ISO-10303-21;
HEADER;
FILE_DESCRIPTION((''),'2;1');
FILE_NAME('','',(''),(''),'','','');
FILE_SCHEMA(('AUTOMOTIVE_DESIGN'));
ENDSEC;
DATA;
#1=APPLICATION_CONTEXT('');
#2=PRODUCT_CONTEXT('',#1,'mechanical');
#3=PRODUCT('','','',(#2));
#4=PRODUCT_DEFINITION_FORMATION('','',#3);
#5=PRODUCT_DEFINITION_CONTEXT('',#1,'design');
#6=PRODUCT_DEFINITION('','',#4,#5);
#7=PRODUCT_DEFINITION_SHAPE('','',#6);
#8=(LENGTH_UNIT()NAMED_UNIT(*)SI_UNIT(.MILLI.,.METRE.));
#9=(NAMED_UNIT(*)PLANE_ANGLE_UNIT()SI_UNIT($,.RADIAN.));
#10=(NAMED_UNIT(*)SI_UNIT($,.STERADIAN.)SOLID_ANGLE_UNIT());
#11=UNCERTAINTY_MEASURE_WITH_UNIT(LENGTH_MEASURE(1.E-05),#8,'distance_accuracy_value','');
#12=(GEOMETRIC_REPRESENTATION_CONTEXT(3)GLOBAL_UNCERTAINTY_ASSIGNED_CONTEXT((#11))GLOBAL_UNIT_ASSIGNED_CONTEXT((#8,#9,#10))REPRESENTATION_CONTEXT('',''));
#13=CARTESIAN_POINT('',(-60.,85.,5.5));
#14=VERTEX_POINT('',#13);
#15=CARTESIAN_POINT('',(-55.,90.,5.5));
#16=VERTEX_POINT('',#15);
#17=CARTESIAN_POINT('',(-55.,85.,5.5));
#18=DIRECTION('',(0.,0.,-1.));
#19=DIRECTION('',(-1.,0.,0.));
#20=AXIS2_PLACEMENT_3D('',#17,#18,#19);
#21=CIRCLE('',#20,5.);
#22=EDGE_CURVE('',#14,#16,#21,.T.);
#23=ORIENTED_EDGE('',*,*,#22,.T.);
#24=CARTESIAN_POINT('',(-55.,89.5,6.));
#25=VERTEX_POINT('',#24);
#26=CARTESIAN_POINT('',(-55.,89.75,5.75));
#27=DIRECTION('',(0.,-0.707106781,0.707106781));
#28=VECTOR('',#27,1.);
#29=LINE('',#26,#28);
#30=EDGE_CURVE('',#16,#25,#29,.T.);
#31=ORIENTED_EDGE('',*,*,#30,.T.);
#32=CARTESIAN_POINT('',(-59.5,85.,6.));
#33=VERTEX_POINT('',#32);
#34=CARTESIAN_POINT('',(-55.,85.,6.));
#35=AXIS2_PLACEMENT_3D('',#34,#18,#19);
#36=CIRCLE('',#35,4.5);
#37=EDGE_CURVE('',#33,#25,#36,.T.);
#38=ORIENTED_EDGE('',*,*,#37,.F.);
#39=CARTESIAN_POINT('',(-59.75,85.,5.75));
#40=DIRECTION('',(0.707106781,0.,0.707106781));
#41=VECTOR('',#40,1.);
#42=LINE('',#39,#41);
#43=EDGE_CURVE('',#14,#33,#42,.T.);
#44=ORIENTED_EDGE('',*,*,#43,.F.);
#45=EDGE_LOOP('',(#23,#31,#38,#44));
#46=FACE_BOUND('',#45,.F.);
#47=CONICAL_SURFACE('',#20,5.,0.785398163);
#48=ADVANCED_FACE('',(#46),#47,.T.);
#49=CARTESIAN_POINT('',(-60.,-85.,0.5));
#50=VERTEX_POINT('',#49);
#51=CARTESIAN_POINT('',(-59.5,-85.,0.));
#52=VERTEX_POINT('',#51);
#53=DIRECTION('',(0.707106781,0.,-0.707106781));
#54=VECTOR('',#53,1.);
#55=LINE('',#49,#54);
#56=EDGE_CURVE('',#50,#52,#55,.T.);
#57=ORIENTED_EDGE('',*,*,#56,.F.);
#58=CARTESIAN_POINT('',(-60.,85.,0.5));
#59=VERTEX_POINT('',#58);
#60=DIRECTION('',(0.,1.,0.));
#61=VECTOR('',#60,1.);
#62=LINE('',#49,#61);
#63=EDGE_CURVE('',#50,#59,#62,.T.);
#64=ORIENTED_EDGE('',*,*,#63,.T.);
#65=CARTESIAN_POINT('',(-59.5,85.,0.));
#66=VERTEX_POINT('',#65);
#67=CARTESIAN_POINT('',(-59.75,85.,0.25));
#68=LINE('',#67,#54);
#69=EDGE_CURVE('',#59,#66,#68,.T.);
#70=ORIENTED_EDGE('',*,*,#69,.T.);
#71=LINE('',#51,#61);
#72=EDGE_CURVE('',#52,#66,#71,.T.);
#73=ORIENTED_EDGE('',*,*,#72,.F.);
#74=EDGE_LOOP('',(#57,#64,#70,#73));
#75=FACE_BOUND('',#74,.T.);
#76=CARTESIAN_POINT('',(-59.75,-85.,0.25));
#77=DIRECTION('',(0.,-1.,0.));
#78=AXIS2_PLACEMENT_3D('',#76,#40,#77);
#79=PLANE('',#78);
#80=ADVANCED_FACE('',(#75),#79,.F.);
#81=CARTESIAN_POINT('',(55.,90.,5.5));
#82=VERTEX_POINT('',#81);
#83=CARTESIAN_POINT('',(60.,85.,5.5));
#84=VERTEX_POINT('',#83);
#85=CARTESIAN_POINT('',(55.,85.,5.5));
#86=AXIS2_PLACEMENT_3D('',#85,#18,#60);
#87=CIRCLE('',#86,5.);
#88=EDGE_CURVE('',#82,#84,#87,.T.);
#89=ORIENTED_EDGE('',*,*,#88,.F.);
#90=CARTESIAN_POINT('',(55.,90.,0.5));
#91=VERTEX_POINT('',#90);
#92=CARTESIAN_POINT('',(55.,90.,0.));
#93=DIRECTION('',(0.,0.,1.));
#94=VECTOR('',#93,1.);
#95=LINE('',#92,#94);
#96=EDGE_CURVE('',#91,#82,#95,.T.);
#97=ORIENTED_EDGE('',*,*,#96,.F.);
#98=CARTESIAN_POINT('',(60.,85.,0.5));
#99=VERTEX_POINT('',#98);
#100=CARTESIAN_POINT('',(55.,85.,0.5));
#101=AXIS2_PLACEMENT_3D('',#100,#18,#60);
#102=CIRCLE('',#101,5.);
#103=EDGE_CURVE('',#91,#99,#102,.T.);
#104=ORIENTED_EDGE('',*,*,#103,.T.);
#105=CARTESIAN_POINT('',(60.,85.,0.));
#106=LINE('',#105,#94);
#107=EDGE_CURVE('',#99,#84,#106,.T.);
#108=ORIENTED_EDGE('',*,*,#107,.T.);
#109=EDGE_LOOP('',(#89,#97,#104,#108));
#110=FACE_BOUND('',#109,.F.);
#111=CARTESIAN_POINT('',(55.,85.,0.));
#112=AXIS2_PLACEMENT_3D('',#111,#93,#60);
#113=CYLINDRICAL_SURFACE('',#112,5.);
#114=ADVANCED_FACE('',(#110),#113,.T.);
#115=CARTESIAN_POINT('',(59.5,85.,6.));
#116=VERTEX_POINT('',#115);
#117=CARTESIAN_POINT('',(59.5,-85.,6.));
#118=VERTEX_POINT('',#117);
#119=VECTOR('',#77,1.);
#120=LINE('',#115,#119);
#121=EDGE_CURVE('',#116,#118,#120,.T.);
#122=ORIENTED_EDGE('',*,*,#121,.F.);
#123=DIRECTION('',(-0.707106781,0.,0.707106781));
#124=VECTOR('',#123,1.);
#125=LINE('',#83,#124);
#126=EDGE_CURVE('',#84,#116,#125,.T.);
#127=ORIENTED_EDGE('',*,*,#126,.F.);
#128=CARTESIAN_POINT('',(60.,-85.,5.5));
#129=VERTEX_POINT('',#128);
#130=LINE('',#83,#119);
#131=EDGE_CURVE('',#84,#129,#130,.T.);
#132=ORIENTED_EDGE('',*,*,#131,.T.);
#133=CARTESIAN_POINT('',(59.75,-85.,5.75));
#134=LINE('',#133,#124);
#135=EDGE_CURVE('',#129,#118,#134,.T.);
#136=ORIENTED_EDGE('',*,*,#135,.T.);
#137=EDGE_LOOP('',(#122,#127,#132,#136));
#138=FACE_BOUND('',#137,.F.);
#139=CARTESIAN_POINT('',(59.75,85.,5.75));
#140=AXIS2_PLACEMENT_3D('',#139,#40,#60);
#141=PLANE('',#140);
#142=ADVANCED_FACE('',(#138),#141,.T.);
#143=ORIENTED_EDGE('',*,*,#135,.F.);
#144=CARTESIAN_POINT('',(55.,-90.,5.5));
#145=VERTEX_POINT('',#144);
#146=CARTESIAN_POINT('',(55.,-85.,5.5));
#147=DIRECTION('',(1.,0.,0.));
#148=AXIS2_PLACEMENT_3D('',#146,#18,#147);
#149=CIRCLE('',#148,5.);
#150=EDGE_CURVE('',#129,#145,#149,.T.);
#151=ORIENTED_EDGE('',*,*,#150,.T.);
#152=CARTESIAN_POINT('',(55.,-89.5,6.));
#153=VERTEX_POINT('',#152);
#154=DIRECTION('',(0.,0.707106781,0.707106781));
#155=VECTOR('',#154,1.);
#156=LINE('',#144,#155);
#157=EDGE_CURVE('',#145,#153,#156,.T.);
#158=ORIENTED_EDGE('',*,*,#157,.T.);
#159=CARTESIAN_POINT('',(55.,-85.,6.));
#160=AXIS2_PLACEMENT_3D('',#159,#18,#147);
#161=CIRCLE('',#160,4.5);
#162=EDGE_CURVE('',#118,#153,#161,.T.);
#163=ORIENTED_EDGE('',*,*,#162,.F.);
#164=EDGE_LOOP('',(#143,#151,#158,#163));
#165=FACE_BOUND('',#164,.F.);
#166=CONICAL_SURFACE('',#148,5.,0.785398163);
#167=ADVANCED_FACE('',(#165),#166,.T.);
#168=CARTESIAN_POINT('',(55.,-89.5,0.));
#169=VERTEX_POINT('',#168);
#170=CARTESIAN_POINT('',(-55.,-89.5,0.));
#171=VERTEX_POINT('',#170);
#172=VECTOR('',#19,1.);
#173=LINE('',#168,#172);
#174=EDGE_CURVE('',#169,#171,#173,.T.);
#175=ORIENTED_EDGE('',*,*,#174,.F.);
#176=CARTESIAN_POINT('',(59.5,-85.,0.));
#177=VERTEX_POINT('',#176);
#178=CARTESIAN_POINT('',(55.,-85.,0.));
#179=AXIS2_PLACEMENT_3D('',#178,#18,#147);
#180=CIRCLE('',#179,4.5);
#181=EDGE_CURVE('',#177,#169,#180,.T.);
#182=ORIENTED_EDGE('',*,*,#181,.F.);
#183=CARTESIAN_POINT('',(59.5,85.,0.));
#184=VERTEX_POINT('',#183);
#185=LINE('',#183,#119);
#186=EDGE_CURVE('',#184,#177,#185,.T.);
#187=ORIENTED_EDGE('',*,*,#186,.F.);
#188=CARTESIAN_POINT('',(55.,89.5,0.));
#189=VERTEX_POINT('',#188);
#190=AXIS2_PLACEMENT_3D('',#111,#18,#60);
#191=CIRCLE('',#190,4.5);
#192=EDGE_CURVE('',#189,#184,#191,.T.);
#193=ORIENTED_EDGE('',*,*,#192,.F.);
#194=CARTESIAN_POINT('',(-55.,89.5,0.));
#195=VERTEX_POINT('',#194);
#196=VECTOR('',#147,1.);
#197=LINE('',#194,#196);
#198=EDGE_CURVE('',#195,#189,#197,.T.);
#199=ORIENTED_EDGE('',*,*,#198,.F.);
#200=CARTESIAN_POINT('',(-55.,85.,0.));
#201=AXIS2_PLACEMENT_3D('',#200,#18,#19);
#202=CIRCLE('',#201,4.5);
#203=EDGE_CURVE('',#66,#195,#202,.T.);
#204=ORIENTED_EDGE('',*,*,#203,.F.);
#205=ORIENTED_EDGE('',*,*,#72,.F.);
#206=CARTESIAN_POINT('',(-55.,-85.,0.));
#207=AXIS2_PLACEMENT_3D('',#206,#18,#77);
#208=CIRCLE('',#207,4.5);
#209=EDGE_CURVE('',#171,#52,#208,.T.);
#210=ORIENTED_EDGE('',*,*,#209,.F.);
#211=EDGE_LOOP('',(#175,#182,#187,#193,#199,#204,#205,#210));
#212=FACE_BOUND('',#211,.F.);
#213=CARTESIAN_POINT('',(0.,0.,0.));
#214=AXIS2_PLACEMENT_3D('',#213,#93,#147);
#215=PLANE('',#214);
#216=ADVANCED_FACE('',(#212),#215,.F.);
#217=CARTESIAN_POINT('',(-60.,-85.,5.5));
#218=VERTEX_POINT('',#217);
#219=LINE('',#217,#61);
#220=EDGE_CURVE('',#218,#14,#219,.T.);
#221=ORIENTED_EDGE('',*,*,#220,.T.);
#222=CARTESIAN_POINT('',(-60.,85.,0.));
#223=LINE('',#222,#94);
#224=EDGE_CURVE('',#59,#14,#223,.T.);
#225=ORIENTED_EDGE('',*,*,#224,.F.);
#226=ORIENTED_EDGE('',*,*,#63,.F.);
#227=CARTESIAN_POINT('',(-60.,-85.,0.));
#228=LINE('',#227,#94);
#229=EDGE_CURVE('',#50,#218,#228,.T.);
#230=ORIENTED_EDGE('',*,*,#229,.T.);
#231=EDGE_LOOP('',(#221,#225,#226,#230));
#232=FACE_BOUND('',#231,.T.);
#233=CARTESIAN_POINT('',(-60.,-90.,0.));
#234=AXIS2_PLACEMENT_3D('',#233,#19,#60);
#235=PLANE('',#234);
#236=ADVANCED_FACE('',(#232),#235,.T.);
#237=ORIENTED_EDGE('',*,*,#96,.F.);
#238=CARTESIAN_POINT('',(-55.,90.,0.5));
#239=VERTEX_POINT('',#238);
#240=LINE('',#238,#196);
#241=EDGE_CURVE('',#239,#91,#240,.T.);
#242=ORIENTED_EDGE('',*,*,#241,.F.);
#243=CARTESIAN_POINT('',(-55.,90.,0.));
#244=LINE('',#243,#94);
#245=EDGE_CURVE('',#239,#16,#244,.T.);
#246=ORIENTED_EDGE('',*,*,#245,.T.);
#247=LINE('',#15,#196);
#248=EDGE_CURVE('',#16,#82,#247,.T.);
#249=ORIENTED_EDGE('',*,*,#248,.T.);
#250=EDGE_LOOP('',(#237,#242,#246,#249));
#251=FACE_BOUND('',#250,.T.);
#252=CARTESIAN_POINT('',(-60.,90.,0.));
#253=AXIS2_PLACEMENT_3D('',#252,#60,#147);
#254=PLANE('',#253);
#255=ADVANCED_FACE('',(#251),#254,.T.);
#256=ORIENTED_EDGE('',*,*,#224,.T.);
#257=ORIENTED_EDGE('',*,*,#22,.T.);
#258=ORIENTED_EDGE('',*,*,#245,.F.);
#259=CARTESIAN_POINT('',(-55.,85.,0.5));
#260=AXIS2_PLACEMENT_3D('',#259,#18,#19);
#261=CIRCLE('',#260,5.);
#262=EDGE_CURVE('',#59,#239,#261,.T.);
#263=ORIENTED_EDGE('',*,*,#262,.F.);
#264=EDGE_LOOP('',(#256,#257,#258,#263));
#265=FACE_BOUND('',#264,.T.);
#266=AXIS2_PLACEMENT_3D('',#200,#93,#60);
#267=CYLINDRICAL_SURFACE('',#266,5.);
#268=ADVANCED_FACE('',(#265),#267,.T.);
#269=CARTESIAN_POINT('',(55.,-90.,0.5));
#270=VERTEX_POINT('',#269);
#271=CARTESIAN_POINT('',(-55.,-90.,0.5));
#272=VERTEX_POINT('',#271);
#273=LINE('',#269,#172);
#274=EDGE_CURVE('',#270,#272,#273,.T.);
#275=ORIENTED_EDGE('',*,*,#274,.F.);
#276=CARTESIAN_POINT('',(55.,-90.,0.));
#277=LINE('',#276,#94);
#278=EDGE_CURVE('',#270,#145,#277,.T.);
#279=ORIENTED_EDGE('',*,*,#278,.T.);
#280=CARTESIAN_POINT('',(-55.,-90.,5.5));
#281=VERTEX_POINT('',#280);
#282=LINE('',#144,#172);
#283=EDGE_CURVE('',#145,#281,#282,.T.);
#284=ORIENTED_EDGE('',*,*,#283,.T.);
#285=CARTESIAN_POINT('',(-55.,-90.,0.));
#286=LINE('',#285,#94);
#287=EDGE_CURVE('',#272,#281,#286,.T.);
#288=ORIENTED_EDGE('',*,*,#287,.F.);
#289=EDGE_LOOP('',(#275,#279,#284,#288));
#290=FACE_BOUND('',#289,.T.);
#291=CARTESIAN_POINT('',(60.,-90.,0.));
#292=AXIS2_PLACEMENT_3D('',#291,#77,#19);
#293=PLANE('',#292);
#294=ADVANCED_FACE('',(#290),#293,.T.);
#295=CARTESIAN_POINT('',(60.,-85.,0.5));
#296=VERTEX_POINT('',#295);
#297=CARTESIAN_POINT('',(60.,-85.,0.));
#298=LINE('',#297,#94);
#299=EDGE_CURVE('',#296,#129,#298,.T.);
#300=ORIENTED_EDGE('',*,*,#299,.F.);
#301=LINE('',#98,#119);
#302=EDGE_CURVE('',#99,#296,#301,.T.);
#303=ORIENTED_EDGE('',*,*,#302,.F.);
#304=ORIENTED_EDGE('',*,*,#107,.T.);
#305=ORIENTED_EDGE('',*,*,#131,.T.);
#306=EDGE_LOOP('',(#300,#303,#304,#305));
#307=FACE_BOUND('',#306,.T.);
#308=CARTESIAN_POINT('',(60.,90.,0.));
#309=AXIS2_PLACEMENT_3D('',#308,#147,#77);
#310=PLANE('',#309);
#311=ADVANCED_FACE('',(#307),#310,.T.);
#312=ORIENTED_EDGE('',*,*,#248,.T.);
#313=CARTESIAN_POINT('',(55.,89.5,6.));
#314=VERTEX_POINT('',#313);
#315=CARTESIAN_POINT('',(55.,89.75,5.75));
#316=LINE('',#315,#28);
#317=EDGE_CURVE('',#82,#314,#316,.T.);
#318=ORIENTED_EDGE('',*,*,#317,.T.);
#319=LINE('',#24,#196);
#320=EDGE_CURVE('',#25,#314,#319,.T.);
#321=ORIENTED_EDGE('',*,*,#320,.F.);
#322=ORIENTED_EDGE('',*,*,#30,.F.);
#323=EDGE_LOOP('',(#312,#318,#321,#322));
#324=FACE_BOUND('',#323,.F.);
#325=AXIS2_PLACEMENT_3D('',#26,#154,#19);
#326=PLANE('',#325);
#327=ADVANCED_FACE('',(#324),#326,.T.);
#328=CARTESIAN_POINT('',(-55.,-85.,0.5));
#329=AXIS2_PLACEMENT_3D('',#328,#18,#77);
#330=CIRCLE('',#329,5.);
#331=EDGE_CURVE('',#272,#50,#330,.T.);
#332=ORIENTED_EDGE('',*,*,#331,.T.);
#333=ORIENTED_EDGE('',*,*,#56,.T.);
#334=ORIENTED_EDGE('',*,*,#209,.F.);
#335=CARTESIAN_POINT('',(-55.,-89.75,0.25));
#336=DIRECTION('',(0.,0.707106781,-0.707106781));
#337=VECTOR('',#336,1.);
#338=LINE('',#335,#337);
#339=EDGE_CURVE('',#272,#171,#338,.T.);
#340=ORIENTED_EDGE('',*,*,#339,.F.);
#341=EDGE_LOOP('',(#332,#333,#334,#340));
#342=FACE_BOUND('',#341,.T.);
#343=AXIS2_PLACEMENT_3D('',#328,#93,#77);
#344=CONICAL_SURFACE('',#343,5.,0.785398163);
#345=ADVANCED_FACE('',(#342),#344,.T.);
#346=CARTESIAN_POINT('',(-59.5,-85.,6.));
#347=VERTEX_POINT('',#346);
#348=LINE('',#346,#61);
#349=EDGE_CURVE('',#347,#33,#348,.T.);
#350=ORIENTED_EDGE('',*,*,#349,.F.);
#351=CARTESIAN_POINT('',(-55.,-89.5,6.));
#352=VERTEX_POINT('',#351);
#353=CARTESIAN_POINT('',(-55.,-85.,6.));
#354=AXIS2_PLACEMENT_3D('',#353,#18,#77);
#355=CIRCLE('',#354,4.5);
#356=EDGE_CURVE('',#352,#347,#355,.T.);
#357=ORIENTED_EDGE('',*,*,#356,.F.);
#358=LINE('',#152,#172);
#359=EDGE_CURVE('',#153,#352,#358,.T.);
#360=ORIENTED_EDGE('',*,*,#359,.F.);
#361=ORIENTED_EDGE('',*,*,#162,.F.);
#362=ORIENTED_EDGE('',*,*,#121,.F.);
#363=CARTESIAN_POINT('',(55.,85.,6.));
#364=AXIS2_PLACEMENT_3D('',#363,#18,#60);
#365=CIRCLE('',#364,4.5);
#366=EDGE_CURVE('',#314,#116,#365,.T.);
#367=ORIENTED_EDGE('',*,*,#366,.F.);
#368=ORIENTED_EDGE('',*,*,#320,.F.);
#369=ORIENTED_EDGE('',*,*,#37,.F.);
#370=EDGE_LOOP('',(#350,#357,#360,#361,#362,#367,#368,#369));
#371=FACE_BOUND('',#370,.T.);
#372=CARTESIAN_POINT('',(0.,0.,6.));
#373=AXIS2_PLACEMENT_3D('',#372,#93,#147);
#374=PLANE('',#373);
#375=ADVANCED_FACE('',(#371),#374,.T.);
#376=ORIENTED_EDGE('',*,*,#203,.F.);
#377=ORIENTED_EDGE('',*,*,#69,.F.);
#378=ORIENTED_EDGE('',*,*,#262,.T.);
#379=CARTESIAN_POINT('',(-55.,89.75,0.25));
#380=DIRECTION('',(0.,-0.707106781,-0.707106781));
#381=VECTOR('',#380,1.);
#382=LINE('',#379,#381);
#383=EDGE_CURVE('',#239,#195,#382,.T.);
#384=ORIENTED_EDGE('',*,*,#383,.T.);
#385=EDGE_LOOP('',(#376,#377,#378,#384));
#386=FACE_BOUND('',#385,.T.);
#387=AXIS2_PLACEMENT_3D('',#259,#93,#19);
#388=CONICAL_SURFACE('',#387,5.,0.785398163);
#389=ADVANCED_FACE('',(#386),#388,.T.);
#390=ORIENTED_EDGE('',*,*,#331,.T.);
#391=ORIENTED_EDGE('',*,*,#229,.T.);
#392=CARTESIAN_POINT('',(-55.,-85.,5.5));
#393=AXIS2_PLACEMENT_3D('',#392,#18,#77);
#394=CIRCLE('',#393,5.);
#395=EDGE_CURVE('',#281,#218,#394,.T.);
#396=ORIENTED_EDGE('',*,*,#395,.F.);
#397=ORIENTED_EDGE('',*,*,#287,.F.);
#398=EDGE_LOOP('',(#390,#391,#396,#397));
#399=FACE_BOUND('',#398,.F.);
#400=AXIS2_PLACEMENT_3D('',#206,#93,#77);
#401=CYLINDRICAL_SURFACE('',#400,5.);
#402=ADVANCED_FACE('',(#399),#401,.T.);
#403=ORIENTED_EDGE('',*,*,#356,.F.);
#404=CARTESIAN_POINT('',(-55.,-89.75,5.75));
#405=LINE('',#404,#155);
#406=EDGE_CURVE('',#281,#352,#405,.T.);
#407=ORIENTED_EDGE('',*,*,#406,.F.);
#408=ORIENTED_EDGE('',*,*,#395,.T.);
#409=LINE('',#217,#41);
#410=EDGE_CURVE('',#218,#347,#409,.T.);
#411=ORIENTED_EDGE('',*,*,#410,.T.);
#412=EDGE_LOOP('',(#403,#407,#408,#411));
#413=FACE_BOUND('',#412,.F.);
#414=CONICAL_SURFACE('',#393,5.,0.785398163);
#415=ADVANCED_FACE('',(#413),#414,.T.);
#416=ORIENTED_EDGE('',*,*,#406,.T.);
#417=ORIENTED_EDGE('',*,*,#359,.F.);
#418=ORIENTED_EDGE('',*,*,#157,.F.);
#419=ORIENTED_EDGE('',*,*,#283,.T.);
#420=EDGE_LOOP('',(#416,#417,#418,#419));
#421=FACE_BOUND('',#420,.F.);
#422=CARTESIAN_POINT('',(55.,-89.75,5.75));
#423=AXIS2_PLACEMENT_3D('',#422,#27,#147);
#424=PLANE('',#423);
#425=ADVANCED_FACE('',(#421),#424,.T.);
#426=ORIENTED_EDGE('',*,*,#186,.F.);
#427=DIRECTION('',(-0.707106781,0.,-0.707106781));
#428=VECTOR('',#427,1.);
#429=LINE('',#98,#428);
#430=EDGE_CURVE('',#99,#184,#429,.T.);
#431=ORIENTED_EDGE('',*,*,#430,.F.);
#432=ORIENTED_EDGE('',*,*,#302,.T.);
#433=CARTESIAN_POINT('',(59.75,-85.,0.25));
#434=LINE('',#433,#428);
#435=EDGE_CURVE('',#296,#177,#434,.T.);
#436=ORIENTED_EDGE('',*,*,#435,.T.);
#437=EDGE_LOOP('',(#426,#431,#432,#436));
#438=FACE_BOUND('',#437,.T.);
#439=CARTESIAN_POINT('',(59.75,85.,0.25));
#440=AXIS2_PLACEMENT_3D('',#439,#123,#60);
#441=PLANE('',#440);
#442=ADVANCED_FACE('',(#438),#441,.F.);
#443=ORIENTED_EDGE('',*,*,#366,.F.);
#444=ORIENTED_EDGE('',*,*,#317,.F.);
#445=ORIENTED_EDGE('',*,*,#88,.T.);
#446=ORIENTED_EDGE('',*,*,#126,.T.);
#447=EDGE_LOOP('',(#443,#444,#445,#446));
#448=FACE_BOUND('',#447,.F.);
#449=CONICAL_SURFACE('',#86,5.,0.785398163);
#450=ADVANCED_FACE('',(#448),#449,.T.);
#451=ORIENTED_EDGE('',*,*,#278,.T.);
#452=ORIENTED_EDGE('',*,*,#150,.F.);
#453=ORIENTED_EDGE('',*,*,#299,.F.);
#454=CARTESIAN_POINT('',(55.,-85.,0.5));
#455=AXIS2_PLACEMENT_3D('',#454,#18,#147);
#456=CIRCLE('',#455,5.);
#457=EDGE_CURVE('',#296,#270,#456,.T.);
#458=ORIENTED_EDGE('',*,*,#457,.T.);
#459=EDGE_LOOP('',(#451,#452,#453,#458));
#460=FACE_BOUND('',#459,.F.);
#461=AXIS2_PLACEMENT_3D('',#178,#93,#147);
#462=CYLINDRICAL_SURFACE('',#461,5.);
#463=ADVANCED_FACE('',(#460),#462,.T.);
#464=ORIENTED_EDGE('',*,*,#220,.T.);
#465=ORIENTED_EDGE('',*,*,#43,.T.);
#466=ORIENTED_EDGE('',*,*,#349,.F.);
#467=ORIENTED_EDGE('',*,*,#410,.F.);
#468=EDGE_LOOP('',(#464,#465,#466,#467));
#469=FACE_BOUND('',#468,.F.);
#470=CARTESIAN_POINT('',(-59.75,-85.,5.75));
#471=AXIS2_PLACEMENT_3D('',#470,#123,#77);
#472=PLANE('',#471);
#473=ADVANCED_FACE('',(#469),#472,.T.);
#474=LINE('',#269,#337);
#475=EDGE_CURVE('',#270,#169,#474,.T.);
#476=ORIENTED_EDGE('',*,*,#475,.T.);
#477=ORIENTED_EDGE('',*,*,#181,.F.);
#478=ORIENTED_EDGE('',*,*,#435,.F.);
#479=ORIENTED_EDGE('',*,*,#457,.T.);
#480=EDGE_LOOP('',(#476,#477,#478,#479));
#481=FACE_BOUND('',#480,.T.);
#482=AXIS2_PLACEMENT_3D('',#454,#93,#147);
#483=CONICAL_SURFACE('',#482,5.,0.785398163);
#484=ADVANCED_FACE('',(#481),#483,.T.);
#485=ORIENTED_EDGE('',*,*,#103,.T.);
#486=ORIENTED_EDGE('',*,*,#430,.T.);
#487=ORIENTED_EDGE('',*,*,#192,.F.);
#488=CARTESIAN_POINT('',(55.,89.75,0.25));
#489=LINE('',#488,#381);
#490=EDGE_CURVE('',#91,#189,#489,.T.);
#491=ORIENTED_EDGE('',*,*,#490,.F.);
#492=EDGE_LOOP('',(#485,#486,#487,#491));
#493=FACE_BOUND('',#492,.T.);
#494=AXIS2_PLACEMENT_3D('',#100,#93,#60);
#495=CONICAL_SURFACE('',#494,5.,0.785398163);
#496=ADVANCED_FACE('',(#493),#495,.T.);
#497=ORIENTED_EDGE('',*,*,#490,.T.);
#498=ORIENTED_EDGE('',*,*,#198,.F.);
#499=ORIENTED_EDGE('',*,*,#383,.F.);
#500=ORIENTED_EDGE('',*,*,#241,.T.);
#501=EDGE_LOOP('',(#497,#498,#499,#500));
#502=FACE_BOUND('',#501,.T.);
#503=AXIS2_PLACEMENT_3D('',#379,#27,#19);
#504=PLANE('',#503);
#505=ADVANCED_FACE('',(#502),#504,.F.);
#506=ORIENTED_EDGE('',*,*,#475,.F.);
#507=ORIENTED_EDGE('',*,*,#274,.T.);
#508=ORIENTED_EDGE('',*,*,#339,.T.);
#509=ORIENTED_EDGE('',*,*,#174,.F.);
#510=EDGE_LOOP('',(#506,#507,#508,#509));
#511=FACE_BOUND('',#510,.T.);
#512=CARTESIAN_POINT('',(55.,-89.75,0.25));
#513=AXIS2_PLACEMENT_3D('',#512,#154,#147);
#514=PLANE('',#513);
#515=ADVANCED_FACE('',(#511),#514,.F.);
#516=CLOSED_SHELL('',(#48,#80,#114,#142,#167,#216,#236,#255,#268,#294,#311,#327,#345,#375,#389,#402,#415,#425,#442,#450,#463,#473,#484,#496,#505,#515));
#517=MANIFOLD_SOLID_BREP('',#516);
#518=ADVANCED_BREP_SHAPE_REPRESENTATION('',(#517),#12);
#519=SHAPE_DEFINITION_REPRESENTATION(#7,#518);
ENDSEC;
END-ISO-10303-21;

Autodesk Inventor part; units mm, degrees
ref_plane "YZ Plane" through (0, 0, 0) normal (1, 0, 0) x (0, 1, 0)
ref_plane "XZ Plane" through (0, 0, 0) normal (0, 1, 0) x (-1, 0, 0)
ref_plane "XY Plane" through (0, 0, 0) normal (0, 0, 1) x (1, 0, 0)
sketch "Sketch1" plane through (0, 0, 0) normal (0, 0, 1) x (1, 0, 0)
  line L0 (-60, 90) -> (60, 90)
  line L1 (60, 90) -> (60, -90)
  line L2 (60, -90) -> (-60, -90)
  line L3 (-60, -90) -> (-60, 90)
  point P0 (0, 0)
  point P1 (60, 0)
  point P2 (0, 90)
  dimension "d0" = 120
  dimension "d1" = 180
extrude "Extrusion1" add sketch "Sketch1" along normal blind 6
fillet "Fillet1" radius 5 4 edges at (-60, 90, 3) (60, 90, 3) (60, -90, 3) (-60, -90, 3)
chamfer "Chamfer2" distance 0.5 angle 45 16 edges at (0, 90, 6) (-58.5355, 88.5355, 6) (-60, 0, 6) (-58.5355, -88.5355, 6) (0, -90, 6) (58.5355, -88.5355, 6) (60, 0, 6) (58.5355, 88.5355, 6) (0, 90, 0) (-58.5355, 88.5355, 0) (-60, 0, 0) (-58.5355, -88.5355, 0) (0, -90, 0) (58.5355, -88.5355, 0) (60, 0, 0) (58.5355, 88.5355, 0)
sketch "Sketch3" plane through (0, 0, 6) normal (0, 0, 1) x (1, 0, 0)
  line L0 (60, 75) -> (62, 75)
  line L1 (62, 75) -> (62, -75)
  line L2 (62, -75) -> (60, -75)
  line L3 (60, -75) -> (60, 75)
  line L4 (60, -85) -> (60, 85) projected
  point P0 (0, 0)
  point P1 (62, 0)
  point P2 (60, 0)
  dimension "d12" = 150
  dimension "d13" = 2
equation "\"d0\" = width"
equation "\"d1\" = hight"
equation "\"hight\" = 180"
equation "\"width\" = 120"
properties part number "tc-bottom-tray" material "ABS Plastic"
